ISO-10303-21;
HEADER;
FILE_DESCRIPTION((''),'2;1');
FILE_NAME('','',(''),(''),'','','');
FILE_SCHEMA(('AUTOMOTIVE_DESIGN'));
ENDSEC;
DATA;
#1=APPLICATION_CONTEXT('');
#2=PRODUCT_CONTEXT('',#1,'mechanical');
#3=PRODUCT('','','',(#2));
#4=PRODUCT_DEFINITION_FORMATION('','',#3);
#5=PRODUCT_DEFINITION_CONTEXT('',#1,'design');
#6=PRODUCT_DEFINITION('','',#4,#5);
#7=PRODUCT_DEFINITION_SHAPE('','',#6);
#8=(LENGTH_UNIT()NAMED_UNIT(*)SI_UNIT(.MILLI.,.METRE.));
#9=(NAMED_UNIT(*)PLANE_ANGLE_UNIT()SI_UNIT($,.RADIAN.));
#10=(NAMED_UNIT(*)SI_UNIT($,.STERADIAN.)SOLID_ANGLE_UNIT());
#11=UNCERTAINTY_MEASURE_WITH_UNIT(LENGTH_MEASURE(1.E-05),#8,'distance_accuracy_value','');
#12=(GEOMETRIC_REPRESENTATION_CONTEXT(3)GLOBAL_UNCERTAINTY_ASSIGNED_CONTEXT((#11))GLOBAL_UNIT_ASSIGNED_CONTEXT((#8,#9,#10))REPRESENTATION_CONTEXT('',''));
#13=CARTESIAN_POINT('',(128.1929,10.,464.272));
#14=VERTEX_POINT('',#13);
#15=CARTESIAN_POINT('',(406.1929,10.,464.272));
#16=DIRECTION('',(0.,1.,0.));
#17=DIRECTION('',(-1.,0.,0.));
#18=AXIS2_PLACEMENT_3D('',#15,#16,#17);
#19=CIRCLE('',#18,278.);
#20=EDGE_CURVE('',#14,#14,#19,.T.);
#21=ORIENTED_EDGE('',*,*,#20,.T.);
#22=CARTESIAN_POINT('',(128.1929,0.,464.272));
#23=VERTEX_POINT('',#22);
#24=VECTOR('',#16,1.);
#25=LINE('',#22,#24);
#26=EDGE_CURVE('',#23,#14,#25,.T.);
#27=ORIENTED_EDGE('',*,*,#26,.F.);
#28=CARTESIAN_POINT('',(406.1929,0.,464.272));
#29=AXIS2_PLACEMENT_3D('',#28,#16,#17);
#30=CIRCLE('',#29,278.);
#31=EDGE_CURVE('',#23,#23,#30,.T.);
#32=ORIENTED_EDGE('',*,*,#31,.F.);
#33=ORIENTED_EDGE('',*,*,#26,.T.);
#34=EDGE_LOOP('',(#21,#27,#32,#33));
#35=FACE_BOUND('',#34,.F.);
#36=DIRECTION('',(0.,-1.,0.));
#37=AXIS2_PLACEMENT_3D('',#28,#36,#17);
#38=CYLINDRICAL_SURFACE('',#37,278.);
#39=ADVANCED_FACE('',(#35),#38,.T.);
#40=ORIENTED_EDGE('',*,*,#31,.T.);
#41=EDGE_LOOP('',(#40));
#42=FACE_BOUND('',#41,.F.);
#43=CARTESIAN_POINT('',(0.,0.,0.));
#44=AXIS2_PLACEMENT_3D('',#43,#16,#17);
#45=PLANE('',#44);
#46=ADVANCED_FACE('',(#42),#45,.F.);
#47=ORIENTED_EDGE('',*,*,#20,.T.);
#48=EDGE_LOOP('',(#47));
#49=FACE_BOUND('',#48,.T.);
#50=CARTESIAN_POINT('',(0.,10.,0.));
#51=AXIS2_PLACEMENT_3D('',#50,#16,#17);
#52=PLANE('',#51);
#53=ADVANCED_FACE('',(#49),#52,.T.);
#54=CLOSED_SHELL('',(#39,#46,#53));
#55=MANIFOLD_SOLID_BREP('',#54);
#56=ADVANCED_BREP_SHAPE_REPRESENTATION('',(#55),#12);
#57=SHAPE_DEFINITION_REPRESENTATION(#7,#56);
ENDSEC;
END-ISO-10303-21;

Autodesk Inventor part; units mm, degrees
ref_plane "YZ Plane" through (0, 0, 0) normal (1, 0, 0) x (0, 1, 0)
ref_plane "XZ Plane" through (0, 0, 0) normal (0, 1, 0) x (-1, 0, 0)
ref_plane "XY Plane" through (0, 0, 0) normal (0, 0, 1) x (1, 0, 0)
sketch "Sketch2" plane through (0, 0, 0) normal (0, 1, 0) x (-1, 0, 0)
  arc A0 (-485.8905, 731.6468) -> (-682.1657, 423.2838) centre (-406.1929, 464.272) ccw projected
  circle A1 centre (-406.1929, 464.272) radius 279
  circle A2 centre (-406.1929, 464.272) radius 278
  point P0 (0, 0)
  dimension "d4" = 1
extrude "Extrusion2" add sketch "Sketch2" along normal blind 10 contours A2
properties part number "Deckel"
